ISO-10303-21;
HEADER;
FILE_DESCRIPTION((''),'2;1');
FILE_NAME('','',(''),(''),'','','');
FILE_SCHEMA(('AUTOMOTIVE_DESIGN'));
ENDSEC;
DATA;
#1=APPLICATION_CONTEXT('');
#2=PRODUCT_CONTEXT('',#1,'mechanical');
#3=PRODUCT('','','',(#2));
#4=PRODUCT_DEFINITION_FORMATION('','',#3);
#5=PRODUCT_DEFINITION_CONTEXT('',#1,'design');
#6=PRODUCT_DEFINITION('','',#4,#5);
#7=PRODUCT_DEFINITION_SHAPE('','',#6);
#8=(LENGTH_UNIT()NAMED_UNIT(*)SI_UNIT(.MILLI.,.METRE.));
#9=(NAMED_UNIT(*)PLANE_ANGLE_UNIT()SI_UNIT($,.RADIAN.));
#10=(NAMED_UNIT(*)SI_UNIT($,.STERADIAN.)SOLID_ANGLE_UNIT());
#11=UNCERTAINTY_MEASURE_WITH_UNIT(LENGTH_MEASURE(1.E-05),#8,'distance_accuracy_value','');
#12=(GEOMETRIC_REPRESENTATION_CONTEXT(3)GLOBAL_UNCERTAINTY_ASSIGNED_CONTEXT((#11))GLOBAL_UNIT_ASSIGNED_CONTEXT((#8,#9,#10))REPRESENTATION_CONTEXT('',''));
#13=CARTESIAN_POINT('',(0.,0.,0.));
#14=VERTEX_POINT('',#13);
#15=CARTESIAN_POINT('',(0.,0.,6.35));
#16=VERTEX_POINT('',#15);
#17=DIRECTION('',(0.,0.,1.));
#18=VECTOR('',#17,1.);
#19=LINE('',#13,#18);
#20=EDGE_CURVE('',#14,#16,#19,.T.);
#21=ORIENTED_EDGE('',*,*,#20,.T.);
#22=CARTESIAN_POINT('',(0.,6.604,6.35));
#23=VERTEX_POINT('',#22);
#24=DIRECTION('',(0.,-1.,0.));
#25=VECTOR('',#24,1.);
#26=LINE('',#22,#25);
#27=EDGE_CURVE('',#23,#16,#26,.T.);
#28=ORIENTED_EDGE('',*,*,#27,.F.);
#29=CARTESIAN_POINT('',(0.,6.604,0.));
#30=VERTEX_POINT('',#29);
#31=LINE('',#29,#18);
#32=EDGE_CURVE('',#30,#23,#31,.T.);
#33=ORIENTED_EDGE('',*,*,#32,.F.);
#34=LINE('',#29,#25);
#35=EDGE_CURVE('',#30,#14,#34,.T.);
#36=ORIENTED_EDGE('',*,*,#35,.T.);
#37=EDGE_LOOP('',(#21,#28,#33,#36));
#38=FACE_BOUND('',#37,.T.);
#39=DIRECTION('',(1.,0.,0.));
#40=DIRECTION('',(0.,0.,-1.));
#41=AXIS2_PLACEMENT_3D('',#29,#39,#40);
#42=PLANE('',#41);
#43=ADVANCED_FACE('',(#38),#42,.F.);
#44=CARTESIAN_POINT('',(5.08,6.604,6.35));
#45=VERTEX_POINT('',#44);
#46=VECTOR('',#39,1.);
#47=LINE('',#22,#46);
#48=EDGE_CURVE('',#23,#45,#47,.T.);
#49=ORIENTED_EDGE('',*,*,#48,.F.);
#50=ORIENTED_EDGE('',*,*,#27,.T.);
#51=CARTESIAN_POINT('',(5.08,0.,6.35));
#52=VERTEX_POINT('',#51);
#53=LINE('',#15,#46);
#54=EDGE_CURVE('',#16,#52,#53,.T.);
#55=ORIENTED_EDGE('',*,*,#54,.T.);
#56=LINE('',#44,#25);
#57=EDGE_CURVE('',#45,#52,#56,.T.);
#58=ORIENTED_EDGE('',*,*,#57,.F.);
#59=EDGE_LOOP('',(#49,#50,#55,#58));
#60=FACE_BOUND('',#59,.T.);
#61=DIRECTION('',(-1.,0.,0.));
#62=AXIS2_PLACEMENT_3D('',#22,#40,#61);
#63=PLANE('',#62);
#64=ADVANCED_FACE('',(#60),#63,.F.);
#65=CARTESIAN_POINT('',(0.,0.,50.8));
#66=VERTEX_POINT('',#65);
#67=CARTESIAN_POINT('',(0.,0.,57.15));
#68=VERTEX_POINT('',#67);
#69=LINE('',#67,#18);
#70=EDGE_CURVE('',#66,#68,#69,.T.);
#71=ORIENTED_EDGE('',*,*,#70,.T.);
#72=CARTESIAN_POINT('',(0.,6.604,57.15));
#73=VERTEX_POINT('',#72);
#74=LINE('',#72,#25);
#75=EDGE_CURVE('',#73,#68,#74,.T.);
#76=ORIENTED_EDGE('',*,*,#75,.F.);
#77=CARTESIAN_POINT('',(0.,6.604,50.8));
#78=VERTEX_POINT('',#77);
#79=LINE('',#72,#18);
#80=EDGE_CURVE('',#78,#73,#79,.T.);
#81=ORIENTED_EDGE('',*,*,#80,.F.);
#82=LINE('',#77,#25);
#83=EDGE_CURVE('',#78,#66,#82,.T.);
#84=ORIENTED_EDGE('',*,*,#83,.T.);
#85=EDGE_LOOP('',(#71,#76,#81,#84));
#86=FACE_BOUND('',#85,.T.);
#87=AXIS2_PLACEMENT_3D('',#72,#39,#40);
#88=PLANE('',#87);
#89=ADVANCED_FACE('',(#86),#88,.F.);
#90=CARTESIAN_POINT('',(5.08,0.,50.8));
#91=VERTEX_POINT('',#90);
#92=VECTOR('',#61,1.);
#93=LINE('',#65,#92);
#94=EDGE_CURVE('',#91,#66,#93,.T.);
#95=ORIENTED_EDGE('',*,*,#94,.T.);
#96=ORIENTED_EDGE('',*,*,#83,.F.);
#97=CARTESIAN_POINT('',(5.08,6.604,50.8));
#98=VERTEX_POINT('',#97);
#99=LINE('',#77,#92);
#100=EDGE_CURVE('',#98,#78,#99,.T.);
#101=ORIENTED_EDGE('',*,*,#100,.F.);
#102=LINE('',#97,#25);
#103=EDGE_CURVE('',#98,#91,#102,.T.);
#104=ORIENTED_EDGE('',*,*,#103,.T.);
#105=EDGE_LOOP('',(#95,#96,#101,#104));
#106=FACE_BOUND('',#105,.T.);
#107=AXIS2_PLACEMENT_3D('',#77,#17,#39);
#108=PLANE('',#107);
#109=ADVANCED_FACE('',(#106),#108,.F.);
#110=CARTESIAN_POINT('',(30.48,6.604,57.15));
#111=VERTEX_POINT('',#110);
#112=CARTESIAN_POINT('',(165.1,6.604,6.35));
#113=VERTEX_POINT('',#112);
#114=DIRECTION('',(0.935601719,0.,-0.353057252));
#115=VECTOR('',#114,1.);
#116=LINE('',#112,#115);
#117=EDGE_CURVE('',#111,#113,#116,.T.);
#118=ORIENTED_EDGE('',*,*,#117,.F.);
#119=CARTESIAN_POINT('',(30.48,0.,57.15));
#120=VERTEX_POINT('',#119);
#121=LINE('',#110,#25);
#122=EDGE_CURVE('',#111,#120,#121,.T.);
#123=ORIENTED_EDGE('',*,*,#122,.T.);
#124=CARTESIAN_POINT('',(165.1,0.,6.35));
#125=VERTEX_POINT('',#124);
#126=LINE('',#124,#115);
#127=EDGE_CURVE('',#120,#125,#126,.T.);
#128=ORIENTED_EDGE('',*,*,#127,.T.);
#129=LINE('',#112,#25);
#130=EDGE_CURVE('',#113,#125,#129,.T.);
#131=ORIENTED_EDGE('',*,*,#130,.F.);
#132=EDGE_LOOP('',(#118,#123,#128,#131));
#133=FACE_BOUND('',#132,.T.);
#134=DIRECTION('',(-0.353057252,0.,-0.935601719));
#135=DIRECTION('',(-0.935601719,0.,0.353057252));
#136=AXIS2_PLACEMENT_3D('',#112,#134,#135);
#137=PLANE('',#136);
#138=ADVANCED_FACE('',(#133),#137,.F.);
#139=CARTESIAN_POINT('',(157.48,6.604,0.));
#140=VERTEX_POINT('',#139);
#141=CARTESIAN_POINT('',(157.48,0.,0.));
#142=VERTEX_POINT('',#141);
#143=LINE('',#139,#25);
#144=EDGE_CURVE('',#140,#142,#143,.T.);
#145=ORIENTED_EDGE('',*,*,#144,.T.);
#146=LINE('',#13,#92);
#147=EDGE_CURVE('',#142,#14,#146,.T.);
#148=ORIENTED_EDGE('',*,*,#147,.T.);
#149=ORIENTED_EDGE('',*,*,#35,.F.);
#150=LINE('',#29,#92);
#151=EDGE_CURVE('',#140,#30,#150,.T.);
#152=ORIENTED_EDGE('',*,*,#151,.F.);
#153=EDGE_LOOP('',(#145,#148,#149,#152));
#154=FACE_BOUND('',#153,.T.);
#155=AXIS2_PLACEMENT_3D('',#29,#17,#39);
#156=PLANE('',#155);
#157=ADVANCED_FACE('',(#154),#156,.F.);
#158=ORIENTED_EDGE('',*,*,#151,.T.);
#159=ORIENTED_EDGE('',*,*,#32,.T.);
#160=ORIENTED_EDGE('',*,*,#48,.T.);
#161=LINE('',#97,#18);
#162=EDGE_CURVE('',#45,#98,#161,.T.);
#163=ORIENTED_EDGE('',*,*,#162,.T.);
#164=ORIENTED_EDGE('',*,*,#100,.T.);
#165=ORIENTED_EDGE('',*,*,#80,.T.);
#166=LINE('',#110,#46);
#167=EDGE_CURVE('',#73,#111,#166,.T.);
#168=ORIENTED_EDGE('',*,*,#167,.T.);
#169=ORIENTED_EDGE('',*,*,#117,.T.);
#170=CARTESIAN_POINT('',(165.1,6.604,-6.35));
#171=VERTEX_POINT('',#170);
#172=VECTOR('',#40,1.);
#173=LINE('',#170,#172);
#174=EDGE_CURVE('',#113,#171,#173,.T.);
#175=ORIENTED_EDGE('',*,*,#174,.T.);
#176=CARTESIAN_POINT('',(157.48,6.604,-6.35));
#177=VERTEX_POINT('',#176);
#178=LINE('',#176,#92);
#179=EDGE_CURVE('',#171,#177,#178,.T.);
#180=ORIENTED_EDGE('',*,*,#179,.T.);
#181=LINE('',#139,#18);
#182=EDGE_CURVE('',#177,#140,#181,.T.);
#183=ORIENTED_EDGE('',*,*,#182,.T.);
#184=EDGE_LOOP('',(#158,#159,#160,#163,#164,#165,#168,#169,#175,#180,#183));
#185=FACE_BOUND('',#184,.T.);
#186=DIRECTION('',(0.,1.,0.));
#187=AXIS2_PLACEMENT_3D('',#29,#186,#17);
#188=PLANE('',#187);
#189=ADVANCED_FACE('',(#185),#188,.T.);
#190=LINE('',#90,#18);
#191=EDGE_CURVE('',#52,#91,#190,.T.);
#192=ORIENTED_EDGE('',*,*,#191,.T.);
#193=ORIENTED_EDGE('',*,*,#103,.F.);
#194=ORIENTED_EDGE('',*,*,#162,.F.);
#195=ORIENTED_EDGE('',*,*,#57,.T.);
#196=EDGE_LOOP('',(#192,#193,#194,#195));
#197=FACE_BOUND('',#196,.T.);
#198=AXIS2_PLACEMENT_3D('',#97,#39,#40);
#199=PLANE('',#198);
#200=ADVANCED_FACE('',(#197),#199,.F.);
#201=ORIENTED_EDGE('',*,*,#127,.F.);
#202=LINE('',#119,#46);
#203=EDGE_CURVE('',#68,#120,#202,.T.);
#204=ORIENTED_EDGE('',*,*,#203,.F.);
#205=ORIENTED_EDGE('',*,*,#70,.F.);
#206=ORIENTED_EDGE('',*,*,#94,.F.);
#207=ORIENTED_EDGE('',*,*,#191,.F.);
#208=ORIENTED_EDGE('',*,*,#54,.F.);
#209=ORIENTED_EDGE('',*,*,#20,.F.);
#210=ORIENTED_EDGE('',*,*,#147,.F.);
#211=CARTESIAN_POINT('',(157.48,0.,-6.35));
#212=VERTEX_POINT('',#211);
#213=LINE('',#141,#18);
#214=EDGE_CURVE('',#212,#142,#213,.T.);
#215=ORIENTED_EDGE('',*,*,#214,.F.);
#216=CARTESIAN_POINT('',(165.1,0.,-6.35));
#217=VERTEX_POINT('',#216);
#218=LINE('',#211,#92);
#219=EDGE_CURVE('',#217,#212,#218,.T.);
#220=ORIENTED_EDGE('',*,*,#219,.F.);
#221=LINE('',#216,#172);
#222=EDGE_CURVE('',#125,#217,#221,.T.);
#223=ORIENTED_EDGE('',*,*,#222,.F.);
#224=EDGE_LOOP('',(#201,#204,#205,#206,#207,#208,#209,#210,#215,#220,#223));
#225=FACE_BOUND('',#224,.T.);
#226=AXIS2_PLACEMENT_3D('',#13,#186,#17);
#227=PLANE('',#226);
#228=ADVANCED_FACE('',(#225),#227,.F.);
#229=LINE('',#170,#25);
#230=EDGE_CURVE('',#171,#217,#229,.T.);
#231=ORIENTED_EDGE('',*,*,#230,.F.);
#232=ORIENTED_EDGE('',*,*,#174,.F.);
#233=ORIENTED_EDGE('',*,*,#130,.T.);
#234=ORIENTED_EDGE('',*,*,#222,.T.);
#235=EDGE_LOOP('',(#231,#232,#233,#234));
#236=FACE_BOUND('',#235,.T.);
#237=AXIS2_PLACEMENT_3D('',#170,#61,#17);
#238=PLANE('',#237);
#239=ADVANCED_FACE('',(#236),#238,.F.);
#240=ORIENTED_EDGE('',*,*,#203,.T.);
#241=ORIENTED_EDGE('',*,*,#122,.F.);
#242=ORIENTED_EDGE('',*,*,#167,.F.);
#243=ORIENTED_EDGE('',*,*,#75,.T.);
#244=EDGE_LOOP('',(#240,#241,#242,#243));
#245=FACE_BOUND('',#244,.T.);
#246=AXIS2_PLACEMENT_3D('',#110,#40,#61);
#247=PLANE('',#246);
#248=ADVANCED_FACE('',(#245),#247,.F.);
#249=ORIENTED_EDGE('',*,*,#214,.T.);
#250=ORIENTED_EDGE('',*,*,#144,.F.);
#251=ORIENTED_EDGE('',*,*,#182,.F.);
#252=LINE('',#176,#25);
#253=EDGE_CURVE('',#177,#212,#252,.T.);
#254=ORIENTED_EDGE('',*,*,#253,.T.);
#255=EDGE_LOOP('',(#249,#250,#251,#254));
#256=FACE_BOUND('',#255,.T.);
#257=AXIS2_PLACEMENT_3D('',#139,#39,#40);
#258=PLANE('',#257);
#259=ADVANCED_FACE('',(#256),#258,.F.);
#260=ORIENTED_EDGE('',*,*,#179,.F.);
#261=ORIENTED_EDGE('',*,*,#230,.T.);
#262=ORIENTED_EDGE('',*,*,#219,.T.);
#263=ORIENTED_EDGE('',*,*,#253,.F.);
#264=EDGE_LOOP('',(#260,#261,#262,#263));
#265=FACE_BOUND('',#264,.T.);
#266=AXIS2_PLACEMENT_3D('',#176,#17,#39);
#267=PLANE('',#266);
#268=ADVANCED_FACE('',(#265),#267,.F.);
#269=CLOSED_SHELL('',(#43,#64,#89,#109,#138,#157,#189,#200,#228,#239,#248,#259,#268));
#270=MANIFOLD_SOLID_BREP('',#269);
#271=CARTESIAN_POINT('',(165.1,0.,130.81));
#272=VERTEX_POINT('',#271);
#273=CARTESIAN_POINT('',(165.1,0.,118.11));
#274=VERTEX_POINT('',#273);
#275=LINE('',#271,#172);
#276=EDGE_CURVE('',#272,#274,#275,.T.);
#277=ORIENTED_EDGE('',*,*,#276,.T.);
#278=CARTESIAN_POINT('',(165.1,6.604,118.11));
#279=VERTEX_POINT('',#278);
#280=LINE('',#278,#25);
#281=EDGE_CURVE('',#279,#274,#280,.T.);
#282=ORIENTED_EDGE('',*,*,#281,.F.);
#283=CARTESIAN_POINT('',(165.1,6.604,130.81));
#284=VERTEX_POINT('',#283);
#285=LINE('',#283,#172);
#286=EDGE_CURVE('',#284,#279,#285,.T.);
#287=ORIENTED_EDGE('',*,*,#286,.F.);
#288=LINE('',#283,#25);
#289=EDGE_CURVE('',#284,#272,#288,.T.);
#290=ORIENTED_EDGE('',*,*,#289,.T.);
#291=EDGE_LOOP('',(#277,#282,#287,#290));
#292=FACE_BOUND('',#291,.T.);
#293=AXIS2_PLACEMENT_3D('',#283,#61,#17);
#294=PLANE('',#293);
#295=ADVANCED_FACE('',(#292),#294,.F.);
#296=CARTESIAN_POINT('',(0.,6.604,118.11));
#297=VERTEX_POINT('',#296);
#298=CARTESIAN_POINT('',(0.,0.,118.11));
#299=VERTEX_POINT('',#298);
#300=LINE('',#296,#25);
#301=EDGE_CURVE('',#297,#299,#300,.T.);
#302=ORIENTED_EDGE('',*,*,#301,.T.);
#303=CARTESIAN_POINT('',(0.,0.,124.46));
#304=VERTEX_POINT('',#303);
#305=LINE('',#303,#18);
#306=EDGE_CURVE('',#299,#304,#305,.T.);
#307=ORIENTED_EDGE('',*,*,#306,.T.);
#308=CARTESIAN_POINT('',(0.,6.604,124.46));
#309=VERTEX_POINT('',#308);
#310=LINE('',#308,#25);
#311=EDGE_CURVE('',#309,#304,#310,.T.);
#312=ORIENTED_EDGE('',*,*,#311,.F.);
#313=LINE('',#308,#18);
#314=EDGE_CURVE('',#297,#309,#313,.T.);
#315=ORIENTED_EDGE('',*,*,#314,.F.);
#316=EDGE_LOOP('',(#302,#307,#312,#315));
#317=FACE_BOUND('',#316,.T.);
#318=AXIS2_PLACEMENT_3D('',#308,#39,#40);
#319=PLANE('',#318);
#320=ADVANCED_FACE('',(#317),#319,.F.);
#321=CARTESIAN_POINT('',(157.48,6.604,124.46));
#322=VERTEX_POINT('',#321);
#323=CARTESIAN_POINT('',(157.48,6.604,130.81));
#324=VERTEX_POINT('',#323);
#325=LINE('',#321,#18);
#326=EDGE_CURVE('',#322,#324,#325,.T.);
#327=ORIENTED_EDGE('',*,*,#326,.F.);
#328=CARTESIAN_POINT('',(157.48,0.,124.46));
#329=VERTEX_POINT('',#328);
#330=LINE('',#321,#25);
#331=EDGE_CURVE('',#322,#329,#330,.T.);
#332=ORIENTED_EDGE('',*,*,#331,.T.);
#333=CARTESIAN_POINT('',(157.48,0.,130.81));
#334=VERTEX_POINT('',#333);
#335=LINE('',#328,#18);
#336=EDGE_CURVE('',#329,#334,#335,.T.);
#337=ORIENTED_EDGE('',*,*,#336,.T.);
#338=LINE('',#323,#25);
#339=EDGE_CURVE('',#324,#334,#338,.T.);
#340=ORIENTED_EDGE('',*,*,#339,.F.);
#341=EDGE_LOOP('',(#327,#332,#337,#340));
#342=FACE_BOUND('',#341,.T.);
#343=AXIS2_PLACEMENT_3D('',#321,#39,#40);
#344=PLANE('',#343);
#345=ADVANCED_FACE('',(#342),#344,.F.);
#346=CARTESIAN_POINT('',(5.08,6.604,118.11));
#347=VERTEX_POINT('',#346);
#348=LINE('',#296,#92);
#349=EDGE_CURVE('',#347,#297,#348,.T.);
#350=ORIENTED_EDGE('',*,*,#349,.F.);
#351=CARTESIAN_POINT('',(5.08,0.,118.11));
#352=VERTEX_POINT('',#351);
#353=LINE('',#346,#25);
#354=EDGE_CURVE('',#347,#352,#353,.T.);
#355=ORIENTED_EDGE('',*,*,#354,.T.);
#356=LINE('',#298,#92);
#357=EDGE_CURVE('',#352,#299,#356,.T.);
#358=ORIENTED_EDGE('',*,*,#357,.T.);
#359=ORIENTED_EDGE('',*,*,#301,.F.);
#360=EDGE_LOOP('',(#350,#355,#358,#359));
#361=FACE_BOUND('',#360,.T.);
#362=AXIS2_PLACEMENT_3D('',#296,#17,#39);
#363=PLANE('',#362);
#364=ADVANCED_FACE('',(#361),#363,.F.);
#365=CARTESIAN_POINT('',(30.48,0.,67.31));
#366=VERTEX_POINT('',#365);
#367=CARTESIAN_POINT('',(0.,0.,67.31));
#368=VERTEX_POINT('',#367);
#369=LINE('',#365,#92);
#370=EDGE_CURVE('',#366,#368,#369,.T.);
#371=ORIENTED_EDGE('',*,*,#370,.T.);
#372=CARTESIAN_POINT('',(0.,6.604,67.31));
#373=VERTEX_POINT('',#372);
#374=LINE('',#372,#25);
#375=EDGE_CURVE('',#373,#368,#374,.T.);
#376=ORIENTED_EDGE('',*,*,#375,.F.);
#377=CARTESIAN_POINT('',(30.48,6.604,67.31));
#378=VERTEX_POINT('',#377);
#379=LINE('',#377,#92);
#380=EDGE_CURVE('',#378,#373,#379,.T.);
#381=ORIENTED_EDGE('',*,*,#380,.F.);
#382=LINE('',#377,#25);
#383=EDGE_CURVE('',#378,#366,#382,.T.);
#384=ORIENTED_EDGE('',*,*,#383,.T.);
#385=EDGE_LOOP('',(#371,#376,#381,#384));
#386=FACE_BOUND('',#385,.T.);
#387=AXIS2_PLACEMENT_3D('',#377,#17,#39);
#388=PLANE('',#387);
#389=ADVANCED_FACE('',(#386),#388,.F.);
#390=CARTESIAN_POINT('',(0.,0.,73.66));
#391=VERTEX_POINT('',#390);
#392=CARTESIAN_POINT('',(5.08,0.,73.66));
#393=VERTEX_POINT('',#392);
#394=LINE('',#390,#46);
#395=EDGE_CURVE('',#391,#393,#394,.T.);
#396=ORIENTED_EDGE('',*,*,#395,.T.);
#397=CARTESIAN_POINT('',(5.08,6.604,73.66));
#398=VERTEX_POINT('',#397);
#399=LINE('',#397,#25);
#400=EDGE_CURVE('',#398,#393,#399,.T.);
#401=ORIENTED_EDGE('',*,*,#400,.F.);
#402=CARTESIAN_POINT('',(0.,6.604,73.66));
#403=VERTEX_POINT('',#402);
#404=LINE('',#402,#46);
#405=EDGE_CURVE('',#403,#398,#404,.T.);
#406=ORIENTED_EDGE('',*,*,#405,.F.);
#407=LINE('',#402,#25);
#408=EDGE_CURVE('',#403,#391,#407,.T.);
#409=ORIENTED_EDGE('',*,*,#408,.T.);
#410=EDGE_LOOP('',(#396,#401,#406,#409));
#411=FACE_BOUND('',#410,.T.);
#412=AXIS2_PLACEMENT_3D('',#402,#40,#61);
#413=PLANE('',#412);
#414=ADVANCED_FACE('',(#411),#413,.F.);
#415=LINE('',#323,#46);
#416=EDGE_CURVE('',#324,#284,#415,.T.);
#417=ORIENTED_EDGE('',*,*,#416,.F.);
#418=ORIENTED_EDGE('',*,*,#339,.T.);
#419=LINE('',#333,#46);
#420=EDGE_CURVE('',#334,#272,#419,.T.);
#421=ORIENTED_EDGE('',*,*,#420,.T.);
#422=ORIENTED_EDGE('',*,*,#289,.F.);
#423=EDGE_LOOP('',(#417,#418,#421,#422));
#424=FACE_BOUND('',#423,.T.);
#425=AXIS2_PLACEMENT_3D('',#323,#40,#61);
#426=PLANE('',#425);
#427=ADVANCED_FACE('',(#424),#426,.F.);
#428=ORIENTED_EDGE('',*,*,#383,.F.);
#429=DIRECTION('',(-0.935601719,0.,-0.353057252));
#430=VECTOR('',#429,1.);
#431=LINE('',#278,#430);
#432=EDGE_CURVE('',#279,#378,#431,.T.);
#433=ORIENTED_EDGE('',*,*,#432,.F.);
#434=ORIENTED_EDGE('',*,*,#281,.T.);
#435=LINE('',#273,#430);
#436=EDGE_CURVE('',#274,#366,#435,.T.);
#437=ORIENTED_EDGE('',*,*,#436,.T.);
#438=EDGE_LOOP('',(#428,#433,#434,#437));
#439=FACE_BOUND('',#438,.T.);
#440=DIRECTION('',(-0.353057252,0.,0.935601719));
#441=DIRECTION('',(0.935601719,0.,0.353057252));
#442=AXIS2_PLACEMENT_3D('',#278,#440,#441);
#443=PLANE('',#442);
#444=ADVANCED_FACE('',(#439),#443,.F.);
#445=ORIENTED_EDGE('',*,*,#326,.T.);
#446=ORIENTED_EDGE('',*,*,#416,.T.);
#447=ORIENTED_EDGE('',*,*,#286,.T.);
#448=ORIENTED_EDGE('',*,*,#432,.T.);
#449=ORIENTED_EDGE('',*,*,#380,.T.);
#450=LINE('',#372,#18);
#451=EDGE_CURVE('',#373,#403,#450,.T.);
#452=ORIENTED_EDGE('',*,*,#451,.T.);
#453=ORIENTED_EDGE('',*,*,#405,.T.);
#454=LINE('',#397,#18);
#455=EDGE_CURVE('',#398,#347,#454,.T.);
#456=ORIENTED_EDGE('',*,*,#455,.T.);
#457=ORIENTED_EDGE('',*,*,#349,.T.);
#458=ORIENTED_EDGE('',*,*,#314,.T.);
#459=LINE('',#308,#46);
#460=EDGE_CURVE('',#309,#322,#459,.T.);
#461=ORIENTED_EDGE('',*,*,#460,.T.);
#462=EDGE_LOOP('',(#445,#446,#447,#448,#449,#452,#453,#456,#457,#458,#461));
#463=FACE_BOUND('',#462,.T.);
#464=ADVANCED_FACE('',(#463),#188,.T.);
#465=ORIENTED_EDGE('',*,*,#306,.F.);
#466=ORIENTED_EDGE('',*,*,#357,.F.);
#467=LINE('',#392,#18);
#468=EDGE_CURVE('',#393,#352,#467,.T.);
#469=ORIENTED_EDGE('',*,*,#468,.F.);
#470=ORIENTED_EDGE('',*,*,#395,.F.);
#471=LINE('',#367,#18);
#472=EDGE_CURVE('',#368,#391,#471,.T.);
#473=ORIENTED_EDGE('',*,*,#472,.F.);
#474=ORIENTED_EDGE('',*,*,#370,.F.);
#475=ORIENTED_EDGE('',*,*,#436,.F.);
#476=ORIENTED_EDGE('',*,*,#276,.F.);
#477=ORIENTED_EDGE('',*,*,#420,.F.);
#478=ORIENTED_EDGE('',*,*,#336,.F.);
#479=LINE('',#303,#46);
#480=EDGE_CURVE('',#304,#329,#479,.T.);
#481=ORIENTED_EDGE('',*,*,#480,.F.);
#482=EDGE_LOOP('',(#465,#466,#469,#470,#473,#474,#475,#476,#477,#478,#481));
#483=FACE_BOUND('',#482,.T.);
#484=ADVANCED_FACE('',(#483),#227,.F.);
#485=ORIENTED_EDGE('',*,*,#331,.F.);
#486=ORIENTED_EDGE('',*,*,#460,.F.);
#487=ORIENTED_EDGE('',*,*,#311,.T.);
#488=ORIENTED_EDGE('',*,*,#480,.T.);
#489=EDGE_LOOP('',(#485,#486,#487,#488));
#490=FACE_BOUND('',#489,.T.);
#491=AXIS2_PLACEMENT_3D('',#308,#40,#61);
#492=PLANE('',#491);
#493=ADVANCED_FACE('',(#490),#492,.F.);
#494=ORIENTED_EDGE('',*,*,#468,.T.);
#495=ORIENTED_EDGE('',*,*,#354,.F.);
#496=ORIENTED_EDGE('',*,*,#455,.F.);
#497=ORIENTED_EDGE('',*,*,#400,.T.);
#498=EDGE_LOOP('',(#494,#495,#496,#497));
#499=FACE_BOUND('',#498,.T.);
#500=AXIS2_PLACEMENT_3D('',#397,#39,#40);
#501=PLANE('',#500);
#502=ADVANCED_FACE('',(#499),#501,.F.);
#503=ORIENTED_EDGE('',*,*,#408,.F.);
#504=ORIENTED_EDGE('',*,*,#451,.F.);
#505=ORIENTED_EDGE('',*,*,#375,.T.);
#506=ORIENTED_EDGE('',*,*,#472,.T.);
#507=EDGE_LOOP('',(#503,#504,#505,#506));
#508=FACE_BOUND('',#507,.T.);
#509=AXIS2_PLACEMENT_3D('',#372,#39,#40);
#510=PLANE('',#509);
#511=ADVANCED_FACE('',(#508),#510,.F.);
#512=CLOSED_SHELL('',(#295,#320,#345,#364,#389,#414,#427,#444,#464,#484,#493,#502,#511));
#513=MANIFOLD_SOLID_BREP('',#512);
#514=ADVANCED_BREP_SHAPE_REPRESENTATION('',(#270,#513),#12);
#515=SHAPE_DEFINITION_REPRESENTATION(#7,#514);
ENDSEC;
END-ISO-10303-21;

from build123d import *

# Parameters (mm, degrees)
BOSS_EXTRUDE1_DEPTH   = 6.604
BOSS_EXTRUDE1_2_DEPTH = 6.604


with BuildPart() as part:
    # Sketch1 → Boss-Extrude1 (new body)
    with BuildSketch(Plane(origin=(0, 0, 0), x_dir=(1, 0, 0), z_dir=(0, 1, 0))):
        Polygon((157.48, 0), (157.48, 6.35), (165.1, 6.35), (165.1, -6.35), (30.48, -57.15), (0, -57.15), (0, -50.8), (5.08, -50.8), (5.08, -6.35), (0, -6.35), (0, 0), align=None)
    extrude(amount=BOSS_EXTRUDE1_DEPTH)


with BuildPart() as body_2:
    # Sketch1 → Boss-Extrude1 2 (new body)
    with BuildSketch(Plane(origin=(0, 0, 0), x_dir=(1, 0, 0), z_dir=(0, 1, 0))):
        Polygon((0, -73.66), (5.08, -73.66), (5.08, -118.11), (0, -118.11), (0, -124.46), (157.48, -124.46), (157.48, -130.81), (165.1, -130.81), (165.1, -118.11), (30.48, -67.31), (0, -67.31), align=None)
    extrude(amount=BOSS_EXTRUDE1_2_DEPTH)


solid = Compound([part.part, body_2.part])
